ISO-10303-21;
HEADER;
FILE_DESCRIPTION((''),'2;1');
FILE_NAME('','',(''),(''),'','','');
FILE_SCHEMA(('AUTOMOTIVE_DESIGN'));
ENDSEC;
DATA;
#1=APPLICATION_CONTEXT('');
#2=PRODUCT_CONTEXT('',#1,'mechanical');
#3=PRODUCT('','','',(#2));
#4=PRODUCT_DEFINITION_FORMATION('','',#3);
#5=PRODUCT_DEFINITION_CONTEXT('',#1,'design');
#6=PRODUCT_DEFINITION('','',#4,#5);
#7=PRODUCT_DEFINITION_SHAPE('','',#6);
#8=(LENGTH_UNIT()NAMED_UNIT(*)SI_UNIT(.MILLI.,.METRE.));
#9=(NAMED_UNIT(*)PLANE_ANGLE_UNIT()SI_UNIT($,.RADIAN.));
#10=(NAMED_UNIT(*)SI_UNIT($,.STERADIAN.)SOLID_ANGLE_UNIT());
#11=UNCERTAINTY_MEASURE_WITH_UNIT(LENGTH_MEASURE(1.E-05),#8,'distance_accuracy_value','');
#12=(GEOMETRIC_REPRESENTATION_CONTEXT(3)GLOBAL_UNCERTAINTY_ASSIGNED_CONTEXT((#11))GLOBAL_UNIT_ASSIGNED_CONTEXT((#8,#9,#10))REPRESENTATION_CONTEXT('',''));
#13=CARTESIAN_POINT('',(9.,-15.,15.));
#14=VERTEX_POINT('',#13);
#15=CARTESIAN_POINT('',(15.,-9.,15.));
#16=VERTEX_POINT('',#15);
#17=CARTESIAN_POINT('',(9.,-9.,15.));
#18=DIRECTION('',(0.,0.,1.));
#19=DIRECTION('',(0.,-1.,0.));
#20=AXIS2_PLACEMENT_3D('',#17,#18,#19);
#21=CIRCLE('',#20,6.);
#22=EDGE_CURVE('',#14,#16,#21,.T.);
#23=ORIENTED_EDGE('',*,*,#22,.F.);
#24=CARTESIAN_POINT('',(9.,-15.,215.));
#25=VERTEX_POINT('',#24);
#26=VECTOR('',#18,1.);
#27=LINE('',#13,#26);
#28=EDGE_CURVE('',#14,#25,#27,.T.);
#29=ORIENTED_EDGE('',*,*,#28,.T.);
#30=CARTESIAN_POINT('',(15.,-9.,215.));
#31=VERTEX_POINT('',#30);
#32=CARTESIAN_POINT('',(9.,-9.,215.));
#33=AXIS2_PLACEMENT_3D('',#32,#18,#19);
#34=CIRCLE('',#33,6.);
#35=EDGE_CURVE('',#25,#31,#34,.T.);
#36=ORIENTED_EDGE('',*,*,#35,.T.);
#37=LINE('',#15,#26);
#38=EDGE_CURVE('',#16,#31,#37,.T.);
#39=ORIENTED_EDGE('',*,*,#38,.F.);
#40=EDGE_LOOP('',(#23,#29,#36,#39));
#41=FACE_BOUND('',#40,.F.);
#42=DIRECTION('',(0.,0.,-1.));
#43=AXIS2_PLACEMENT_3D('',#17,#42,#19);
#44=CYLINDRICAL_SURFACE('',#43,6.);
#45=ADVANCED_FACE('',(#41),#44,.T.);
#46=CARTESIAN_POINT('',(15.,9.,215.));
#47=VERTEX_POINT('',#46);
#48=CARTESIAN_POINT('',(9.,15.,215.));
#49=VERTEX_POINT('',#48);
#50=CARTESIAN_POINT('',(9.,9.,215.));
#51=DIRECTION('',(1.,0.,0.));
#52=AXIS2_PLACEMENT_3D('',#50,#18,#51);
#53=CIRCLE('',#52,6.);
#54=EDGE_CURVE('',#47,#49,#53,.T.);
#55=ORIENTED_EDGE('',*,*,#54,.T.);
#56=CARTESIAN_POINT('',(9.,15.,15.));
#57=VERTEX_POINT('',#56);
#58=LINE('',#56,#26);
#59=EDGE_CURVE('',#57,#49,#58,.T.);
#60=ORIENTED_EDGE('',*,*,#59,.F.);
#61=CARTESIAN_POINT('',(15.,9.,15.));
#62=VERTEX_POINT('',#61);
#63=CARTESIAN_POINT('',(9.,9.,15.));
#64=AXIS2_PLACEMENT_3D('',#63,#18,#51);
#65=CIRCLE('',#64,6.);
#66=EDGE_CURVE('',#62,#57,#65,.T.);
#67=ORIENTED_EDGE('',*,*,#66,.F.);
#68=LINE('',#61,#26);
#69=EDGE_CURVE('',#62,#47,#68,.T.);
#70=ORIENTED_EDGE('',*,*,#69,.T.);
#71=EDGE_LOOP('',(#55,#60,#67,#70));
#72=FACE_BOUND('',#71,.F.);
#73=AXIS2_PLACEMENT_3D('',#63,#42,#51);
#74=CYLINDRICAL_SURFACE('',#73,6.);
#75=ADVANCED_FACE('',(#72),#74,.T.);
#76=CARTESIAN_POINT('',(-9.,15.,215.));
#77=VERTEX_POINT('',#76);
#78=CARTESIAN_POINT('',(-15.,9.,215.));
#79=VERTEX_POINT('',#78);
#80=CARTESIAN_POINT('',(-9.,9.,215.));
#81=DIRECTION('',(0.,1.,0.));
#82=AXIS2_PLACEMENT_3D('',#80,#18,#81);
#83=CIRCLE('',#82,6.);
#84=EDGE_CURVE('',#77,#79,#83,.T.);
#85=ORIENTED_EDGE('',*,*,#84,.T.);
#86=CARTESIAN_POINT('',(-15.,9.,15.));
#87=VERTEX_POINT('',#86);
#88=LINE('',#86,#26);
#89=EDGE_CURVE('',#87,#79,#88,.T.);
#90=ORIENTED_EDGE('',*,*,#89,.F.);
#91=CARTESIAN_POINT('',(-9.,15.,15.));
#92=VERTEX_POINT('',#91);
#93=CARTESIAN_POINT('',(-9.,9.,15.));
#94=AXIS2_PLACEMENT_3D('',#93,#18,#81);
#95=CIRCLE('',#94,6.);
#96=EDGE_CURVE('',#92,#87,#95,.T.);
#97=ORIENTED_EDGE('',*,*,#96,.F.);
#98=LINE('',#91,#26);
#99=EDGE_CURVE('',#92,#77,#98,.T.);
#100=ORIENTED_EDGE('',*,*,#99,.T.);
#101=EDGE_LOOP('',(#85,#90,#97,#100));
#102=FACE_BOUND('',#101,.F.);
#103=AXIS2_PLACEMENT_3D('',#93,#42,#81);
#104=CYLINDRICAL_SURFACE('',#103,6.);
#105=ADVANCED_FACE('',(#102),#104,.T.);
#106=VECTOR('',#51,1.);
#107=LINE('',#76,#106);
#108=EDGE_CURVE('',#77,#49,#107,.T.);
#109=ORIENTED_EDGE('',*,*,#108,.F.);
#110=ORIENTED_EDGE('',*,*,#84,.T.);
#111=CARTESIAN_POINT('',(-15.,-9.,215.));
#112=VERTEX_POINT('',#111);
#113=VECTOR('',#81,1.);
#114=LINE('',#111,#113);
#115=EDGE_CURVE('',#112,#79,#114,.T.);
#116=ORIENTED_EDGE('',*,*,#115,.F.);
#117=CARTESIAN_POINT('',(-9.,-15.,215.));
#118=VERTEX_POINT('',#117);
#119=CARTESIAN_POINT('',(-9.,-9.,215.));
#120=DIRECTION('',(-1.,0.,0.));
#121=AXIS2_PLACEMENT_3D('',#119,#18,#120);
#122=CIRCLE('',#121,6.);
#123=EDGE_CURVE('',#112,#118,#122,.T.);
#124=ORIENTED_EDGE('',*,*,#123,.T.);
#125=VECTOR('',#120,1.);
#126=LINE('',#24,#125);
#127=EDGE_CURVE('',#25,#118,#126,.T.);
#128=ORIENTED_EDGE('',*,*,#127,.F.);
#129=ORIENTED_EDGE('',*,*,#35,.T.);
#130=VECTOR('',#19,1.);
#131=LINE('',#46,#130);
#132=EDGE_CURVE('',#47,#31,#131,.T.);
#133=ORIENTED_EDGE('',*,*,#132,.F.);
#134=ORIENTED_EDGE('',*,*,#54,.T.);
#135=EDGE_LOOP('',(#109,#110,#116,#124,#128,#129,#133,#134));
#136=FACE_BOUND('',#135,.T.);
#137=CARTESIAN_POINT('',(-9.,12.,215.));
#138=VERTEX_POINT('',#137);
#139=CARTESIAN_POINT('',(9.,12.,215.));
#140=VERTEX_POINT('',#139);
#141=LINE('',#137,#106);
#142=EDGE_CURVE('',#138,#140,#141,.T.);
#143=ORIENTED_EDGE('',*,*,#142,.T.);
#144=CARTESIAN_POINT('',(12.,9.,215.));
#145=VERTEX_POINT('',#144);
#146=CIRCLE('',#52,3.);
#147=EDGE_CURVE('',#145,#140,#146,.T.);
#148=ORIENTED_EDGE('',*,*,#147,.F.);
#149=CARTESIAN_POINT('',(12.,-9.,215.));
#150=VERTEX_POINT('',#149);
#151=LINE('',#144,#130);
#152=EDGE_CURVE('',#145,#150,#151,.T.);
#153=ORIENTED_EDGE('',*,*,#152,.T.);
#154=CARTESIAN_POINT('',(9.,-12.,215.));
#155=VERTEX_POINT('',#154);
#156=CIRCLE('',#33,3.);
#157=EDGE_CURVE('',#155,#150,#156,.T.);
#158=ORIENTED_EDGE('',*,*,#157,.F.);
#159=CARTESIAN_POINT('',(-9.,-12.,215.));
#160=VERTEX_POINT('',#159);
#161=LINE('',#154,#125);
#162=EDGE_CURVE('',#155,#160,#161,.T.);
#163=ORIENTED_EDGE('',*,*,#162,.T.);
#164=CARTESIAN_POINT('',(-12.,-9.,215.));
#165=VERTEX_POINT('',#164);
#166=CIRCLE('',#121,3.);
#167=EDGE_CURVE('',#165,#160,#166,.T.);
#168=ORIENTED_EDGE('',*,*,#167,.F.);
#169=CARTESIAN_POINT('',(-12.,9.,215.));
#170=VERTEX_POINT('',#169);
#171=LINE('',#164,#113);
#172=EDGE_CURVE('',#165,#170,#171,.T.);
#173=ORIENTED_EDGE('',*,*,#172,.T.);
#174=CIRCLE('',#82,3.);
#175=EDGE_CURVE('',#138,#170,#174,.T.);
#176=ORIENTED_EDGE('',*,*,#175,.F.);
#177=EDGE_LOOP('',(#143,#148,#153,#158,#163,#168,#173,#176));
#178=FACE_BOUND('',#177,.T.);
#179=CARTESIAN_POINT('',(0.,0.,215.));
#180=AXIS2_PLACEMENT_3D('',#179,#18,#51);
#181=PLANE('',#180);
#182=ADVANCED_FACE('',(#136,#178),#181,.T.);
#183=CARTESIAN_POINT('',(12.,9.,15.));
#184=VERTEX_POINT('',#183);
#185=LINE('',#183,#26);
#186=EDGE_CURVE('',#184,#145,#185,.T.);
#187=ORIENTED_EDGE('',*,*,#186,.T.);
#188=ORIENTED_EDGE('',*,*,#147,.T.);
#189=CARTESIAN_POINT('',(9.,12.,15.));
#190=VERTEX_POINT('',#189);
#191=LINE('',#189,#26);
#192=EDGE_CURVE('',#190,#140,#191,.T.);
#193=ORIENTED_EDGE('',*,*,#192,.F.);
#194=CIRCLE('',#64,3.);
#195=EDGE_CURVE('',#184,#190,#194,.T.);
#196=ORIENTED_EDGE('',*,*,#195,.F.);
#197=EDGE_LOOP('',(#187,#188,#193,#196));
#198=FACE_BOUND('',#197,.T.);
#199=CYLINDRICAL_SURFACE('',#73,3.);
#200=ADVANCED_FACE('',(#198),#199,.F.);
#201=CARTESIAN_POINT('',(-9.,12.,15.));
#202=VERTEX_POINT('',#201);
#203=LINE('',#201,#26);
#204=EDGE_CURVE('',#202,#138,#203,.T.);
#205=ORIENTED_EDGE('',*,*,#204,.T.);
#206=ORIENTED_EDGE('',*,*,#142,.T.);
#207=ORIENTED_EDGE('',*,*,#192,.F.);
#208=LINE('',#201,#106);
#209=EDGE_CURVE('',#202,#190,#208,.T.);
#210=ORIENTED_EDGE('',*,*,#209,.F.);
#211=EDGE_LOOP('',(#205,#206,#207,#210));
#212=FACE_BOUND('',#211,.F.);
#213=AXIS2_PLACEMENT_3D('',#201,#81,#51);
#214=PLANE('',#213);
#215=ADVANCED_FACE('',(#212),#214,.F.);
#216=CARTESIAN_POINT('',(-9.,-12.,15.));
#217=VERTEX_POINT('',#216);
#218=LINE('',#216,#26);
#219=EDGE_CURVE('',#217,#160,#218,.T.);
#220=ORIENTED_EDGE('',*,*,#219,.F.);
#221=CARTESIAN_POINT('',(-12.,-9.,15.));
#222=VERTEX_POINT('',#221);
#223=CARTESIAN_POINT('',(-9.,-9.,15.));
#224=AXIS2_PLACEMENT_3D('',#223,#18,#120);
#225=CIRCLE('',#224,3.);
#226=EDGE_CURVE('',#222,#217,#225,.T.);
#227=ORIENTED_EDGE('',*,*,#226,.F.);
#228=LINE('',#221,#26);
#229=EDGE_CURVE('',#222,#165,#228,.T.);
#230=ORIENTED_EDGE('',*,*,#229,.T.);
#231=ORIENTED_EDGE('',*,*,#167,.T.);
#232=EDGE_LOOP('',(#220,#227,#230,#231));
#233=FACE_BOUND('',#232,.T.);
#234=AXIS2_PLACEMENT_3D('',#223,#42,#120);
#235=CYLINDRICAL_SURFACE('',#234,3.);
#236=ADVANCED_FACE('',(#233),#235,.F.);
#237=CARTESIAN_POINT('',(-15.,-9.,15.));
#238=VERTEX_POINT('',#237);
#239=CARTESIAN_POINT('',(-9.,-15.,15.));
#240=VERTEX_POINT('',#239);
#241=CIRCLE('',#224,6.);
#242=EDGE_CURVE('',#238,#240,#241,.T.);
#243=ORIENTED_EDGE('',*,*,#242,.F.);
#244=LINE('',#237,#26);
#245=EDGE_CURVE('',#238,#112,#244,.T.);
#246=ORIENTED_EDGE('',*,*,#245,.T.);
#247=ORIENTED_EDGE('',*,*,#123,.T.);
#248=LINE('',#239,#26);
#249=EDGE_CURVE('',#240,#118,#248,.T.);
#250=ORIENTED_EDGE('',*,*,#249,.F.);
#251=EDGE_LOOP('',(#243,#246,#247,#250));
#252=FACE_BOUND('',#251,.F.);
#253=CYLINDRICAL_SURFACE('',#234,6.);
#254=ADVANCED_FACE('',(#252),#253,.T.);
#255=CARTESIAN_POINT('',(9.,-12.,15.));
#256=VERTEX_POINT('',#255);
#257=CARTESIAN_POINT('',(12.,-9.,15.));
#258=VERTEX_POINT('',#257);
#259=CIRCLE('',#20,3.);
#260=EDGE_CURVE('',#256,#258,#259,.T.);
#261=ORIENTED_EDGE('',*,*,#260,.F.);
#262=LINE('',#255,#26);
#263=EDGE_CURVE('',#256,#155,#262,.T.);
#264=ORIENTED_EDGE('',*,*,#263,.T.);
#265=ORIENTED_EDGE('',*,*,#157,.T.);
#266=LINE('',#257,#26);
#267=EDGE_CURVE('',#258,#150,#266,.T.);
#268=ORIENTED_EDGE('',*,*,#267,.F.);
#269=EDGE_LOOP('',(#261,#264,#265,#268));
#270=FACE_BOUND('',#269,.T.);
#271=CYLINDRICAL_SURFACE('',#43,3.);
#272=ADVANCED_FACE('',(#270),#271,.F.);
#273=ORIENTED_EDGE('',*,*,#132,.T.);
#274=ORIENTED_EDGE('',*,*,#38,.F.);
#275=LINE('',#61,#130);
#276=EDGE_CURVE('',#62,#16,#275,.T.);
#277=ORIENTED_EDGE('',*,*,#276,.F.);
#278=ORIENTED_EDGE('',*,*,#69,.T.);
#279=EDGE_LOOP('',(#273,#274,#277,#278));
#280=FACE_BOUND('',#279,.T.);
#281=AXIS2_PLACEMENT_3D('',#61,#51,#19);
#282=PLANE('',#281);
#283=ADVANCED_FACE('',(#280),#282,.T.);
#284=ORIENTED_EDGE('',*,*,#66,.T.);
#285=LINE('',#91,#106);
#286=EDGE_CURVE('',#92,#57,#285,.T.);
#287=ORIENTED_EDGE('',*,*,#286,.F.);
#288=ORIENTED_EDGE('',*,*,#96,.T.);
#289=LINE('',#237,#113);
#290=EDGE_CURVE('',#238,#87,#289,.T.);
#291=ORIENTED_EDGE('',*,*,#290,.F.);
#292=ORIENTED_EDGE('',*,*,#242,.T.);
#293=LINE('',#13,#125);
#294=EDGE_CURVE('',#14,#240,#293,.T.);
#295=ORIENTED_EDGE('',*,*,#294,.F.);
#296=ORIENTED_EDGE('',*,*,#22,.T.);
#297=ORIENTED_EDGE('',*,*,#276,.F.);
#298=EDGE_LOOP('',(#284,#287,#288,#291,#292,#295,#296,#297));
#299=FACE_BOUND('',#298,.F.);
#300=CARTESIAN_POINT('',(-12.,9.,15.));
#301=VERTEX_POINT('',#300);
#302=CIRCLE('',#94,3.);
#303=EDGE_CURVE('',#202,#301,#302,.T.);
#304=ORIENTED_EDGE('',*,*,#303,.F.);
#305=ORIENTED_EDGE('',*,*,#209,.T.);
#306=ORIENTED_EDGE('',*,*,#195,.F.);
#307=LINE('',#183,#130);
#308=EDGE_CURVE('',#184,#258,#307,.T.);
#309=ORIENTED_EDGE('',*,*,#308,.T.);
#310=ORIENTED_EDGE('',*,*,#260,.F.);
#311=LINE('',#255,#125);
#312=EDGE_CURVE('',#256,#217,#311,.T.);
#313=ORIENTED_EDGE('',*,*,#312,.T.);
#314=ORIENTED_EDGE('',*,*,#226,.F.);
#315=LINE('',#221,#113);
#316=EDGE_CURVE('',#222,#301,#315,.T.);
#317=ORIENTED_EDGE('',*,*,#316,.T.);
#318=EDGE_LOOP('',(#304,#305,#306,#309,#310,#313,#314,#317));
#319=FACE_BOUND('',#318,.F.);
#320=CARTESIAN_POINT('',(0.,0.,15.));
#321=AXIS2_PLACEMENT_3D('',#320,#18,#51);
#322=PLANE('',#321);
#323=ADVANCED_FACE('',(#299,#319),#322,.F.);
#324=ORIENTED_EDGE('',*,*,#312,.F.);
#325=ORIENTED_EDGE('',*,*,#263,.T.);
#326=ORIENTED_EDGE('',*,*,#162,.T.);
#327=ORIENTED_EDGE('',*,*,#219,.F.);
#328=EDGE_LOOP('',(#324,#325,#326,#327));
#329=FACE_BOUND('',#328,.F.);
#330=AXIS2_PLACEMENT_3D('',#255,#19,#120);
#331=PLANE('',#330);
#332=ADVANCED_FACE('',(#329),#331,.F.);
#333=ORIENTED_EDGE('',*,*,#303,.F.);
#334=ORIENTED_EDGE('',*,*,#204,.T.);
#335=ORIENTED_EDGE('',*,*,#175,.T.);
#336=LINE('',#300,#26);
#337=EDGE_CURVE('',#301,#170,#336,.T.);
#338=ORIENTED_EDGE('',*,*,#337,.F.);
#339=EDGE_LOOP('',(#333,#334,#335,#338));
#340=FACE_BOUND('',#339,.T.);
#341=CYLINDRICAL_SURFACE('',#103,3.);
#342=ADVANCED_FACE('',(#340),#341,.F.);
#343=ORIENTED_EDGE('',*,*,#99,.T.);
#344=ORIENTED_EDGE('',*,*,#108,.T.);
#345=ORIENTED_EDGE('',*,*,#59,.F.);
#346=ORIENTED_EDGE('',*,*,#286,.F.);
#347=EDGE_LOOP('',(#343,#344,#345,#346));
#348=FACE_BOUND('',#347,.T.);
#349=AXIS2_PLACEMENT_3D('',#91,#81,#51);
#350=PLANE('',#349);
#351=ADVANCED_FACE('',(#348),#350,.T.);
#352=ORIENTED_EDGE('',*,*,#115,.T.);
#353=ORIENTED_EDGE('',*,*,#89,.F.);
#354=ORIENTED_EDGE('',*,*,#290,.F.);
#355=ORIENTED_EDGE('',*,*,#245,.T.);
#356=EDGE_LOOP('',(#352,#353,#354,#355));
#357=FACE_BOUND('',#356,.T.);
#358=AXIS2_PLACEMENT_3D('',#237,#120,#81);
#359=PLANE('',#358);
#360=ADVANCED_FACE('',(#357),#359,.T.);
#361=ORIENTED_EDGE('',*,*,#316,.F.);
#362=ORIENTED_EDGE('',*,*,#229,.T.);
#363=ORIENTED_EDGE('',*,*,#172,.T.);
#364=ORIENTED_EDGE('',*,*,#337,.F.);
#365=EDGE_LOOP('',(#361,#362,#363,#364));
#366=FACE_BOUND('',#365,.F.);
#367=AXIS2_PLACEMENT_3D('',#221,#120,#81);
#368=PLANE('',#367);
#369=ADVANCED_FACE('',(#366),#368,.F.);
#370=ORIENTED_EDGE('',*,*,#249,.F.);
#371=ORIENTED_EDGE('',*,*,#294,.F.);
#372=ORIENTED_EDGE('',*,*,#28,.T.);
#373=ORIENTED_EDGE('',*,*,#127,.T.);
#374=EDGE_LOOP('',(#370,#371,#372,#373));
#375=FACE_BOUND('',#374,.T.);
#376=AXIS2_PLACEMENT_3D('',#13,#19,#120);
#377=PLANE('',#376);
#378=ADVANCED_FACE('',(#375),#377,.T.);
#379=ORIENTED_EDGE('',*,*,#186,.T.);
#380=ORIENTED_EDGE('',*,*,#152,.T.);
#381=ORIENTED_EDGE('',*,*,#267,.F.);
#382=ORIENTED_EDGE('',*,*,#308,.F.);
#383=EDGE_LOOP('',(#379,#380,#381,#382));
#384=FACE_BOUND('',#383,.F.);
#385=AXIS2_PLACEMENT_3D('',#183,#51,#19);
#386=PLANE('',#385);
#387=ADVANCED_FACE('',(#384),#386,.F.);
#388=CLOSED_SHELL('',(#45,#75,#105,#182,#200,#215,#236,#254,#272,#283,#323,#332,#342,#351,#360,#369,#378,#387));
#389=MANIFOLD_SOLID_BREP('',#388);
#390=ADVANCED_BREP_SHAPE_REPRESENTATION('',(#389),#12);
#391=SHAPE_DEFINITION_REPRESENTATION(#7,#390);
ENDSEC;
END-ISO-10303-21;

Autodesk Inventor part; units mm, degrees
ref_plane "Start Plane" through (0, 0, 15) normal (0, 0, 1) x (1, 0, 0)
ref_plane "End Plane" through (0, 0, 215) normal (0, 0, 1) x (1, 0, 0)
sketch "Sketch" plane through (0, 0, 0) normal (0, 0, 1) x (1, 0, 0)
  line L0 (-15, -9) -> (-15, 9)
  line L1 (-9, 15) -> (9, 15)
  line L2 (15, 9) -> (15, -9)
  line L3 (9, -15) -> (-9, -15)
  arc A0 (-15, -9) -> (-9, -15) centre (-9, -9) ccw
  arc A1 (-9, 15) -> (-15, 9) centre (-9, 9) ccw
  arc A2 (15, 9) -> (9, 15) centre (9, 9) ccw
  arc A3 (9, -15) -> (15, -9) centre (9, -9) ccw
  arc A4 (-9, 12) -> (-12, 9) centre (-9, 9) ccw
  line L4 (-9, 12) -> (9, 12)
  arc A5 (12, 9) -> (9, 12) centre (9, 9) ccw
  line L5 (12, 9) -> (12, -9)
  arc A6 (9, -12) -> (12, -9) centre (9, -9) ccw
  line L6 (9, -12) -> (-9, -12)
  arc A7 (-12, -9) -> (-9, -12) centre (-9, -9) ccw
  line L7 (-12, -9) -> (-12, 9)
  line L8 (0, 22.7397) -> (0, -22.7397) construction
  line L9 (-22.7397, 0) -> (22.7397, 0) construction
  dimension "d7" = 6
  dimension "d10" = 30
  dimension "d11" = 30
  dimension "d12" = 3
  dimension "d15" = 15
  dimension "d16" = 15
extrude "Body" add sketch "Sketch" along normal up to surface (200 mm away) from surface at 15
sketch "Sketch3" plane through (0, 0, 0) normal (0, 0, 1) x (1, 0, 0)
  line L0 (0, 0) -> (10, 0)
ref_plane "Work Plane3" through (0, 0, 0) normal (0, -1, 0) x (1, 0, 0)
ref_plane "Work Plane4" through (678.5, -9, 215) normal (0, 0, 1) x (1, 0, 0)
split "Split1" plane through (678.5, -9, 215) removes the side toward (0, 0, 1)
ref_plane "Work Plane5" through (678.5, 9, 15) normal (0, 0, -1) x (-1, 0, 0)
split "Split2" plane through (678.5, 9, 15) removes the side toward (0, 0, -1)
sketch "Sketch4" plane through (0, 0, 0) normal (0, -1, 0) x (1, 0, 0)
  line L0 (-2, 15) -> (12, 15) projected
  line L1 (-2, 215) -> (12, 215) projected
  dimension "d18" = 200
equation "\"d7\" = G_IR"
equation "\"d10\" = G_H"
equation "\"d11\" = G_W"
equation "\"d12\" = G_T"
equation "\"d15\" = 0.5 * d10"
equation "\"d16\" = 0.5 * d11"
equation "\"d3\" = G_L"
equation "\"G_W\" = 30"
equation "\"G_H\" = 30"
equation "\"G_T\" = 3"
equation "\"G_IR\" = 6"
equation "\"G_L\" = d18"
equation "\"G_OFFSET_START\" = -15"
equation "\"G_OFFSET_END\" = -15"
equation "\"d13\" = -G_OFFSET_START"
equation "\"d14\" = G_OFFSET_END + B_L"
equation "\"B_L\" = 230"
properties part number "DIN EN 10219-2 - 30 x 30 x 3  - 200" material "Steel, Mild"
